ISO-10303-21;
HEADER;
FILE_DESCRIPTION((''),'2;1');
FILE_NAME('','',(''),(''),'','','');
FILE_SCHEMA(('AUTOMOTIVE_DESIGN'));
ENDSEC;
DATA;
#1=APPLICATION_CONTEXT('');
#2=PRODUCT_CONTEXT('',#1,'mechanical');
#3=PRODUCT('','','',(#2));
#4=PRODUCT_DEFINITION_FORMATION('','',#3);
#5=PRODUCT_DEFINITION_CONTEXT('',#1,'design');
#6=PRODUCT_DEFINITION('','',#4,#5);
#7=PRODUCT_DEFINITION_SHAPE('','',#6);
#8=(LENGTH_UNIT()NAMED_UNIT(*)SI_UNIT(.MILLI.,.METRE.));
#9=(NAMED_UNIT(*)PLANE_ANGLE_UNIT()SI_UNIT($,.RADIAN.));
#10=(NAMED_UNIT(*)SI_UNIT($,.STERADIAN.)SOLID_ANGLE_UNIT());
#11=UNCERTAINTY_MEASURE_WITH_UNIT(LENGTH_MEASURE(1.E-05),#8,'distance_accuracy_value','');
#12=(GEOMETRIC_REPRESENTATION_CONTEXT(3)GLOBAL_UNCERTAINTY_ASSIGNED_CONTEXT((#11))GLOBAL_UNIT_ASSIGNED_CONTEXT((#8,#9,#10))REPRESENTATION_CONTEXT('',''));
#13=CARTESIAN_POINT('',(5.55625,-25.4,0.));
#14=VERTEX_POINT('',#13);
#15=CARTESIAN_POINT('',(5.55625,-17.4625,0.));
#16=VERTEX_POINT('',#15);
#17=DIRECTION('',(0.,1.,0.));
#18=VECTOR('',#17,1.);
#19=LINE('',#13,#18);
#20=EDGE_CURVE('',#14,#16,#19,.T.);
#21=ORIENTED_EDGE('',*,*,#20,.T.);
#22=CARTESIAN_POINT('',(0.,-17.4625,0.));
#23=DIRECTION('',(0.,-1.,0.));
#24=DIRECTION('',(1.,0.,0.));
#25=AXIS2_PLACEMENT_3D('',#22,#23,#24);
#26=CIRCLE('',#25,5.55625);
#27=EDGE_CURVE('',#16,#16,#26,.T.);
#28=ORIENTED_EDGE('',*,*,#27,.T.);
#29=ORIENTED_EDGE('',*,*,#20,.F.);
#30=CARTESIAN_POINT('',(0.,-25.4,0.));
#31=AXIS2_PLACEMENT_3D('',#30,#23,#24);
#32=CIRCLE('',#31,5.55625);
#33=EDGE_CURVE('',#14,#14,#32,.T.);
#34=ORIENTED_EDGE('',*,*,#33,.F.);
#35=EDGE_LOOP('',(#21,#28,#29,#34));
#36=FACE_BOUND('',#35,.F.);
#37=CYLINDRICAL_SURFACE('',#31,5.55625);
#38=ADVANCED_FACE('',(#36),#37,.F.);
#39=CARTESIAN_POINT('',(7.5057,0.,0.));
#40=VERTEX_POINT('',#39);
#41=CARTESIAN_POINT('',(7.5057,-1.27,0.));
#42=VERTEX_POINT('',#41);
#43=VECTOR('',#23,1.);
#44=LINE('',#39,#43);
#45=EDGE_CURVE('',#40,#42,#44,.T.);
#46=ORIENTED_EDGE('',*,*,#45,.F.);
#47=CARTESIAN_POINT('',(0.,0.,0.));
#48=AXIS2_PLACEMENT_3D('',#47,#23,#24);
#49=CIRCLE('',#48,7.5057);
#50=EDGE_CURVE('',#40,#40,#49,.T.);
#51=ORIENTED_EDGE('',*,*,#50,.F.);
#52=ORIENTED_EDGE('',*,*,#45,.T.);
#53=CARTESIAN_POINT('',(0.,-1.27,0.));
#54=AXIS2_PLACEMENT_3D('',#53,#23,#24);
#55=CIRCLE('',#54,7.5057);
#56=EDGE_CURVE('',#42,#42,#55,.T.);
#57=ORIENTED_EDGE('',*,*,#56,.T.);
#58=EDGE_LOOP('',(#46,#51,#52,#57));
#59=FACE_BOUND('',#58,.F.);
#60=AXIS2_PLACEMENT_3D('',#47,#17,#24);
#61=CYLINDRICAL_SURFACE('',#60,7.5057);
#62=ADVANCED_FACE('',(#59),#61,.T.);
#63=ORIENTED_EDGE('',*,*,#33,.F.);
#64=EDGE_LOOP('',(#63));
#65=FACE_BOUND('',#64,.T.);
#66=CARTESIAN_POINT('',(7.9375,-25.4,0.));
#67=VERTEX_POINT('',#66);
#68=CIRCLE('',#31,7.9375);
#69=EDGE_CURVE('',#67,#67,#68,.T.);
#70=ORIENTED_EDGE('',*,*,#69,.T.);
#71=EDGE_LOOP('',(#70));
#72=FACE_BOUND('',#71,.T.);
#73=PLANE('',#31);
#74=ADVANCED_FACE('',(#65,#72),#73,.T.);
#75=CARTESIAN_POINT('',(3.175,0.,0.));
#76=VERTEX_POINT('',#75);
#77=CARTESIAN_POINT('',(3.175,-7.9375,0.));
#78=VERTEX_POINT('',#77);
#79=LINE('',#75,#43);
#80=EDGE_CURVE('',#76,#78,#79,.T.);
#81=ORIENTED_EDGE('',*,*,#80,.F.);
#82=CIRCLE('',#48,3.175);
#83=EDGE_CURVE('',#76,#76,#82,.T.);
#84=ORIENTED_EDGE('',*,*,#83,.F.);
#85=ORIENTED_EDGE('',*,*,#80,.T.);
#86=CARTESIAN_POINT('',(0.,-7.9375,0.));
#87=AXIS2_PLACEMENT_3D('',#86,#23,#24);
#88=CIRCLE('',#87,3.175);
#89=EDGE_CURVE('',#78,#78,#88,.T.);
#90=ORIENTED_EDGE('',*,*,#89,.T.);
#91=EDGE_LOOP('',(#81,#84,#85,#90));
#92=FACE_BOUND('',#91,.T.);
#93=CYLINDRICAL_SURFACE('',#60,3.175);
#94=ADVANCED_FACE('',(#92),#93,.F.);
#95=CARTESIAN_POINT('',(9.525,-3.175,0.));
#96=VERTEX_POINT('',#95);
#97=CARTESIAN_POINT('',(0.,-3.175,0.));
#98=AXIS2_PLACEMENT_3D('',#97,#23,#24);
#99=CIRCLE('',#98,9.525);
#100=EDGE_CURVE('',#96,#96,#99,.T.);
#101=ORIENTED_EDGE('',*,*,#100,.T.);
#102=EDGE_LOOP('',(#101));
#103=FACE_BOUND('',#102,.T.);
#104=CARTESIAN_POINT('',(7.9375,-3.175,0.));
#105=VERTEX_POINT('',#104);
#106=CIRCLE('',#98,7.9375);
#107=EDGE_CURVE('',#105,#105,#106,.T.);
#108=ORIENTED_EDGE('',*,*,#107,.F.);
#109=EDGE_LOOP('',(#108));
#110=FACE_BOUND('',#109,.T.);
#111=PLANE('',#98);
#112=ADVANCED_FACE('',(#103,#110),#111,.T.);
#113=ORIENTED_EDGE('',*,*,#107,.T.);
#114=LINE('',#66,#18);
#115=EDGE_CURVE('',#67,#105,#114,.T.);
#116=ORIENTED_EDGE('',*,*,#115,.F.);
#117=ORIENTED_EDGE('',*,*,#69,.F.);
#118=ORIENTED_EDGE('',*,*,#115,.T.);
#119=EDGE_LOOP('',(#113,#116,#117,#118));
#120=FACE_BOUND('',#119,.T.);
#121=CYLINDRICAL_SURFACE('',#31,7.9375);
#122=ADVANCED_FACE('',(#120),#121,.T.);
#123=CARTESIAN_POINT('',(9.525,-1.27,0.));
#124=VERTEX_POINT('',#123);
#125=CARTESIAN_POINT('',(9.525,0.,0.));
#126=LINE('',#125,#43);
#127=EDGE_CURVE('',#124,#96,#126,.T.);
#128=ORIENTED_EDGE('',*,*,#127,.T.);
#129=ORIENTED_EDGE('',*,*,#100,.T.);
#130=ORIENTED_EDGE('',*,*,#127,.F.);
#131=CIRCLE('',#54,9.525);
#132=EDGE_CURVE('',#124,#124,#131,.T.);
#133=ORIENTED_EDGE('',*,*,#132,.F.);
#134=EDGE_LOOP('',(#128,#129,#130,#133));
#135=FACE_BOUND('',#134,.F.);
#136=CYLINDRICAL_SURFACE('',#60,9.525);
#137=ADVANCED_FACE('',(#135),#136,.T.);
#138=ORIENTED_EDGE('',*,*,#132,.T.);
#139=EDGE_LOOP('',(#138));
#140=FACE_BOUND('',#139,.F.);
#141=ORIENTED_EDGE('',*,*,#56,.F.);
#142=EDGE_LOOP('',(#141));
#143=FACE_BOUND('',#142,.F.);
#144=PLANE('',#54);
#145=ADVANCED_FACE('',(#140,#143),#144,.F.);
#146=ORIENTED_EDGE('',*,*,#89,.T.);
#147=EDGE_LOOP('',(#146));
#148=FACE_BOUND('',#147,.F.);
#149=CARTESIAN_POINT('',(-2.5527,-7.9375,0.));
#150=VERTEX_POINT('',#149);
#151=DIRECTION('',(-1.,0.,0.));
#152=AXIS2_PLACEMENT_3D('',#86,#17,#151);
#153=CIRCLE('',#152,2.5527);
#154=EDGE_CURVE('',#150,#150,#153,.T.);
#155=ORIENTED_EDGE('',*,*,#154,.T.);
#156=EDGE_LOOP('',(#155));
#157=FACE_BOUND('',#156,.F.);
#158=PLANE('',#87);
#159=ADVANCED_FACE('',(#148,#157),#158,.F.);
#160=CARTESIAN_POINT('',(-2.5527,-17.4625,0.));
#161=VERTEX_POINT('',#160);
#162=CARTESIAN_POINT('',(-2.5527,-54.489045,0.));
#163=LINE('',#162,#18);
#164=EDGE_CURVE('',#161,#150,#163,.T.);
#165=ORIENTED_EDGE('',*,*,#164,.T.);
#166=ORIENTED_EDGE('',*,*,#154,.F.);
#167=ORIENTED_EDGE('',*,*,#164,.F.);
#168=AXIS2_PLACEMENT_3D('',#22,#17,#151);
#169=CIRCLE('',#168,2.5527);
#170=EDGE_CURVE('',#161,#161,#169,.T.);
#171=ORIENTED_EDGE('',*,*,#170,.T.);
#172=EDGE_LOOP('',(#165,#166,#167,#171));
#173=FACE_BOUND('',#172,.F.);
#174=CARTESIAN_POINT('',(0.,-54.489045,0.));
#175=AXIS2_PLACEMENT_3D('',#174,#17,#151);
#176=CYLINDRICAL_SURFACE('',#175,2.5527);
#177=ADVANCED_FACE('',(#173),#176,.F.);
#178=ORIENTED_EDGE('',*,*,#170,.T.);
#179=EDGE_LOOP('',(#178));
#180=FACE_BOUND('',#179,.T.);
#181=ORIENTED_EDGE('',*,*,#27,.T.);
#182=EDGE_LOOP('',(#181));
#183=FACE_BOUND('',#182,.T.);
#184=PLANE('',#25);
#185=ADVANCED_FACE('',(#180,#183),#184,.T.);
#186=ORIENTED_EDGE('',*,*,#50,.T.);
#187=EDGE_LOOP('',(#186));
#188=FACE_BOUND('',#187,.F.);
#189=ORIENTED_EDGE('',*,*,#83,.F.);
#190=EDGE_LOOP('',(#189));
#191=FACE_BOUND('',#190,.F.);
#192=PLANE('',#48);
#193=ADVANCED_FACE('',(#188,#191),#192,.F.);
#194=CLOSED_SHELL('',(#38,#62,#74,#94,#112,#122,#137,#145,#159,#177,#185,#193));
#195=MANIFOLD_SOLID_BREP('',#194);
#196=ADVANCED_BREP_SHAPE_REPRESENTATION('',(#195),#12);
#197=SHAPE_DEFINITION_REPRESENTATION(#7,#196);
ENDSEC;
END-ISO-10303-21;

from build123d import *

# Parameters (mm, degrees)
F0_R     = 9.525
F0_R_2   = 7.5057
F0_R_3   = 3.175
F1_DEPTH = 25.4
F2_R     = 5.55625
F3_DEPTH = 7.9375
F2_R_2   = 9.525
F2_R_3   = 7.9375
F5_DEPTH = 22.225
F6_DEPTH = 1.27
F7_DEPTH = 7.9375
F8_D     = 5.1054


with BuildPart() as f1:
    # F0 (on Front) → F1 (new body)
    with BuildSketch(Plane.XZ):
        Circle(F0_R)
        Circle(F0_R_2, mode=Mode.SUBTRACT)
        Circle(F0_R_2)
        Circle(F0_R_3, mode=Mode.SUBTRACT)
        Circle(F0_R_3)
    extrude(amount=F1_DEPTH)

    # F2 (on face) → F3 (cut)
    with BuildSketch(Plane.XZ.offset(25.4)):
        Circle(F2_R)
    extrude(amount=-F3_DEPTH, mode=Mode.SUBTRACT)

    # F2 (on face) → F5 (cut)
    with BuildSketch(Plane.XZ.offset(25.4)):
        Circle(F2_R_2)
        Circle(F2_R_3, mode=Mode.SUBTRACT)
    extrude(amount=-F5_DEPTH, mode=Mode.SUBTRACT)

    # F0 (on Front) → F6 (cut)
    with BuildSketch(Plane.XZ):
        Circle(F0_R)
        Circle(F0_R_2, mode=Mode.SUBTRACT)
    extrude(amount=F6_DEPTH, mode=Mode.SUBTRACT)

    # F0 (on Front) → F7 (cut)
    with BuildSketch(Plane.XZ):
        Circle(F0_R_3)
    extrude(amount=F7_DEPTH, mode=Mode.SUBTRACT)

    # F8 (through all)
    with Locations(Plane.XZ.offset(17.4625)):
        with Locations((0, 0)):
            Hole(F8_D / 2)


solid = f1.part
